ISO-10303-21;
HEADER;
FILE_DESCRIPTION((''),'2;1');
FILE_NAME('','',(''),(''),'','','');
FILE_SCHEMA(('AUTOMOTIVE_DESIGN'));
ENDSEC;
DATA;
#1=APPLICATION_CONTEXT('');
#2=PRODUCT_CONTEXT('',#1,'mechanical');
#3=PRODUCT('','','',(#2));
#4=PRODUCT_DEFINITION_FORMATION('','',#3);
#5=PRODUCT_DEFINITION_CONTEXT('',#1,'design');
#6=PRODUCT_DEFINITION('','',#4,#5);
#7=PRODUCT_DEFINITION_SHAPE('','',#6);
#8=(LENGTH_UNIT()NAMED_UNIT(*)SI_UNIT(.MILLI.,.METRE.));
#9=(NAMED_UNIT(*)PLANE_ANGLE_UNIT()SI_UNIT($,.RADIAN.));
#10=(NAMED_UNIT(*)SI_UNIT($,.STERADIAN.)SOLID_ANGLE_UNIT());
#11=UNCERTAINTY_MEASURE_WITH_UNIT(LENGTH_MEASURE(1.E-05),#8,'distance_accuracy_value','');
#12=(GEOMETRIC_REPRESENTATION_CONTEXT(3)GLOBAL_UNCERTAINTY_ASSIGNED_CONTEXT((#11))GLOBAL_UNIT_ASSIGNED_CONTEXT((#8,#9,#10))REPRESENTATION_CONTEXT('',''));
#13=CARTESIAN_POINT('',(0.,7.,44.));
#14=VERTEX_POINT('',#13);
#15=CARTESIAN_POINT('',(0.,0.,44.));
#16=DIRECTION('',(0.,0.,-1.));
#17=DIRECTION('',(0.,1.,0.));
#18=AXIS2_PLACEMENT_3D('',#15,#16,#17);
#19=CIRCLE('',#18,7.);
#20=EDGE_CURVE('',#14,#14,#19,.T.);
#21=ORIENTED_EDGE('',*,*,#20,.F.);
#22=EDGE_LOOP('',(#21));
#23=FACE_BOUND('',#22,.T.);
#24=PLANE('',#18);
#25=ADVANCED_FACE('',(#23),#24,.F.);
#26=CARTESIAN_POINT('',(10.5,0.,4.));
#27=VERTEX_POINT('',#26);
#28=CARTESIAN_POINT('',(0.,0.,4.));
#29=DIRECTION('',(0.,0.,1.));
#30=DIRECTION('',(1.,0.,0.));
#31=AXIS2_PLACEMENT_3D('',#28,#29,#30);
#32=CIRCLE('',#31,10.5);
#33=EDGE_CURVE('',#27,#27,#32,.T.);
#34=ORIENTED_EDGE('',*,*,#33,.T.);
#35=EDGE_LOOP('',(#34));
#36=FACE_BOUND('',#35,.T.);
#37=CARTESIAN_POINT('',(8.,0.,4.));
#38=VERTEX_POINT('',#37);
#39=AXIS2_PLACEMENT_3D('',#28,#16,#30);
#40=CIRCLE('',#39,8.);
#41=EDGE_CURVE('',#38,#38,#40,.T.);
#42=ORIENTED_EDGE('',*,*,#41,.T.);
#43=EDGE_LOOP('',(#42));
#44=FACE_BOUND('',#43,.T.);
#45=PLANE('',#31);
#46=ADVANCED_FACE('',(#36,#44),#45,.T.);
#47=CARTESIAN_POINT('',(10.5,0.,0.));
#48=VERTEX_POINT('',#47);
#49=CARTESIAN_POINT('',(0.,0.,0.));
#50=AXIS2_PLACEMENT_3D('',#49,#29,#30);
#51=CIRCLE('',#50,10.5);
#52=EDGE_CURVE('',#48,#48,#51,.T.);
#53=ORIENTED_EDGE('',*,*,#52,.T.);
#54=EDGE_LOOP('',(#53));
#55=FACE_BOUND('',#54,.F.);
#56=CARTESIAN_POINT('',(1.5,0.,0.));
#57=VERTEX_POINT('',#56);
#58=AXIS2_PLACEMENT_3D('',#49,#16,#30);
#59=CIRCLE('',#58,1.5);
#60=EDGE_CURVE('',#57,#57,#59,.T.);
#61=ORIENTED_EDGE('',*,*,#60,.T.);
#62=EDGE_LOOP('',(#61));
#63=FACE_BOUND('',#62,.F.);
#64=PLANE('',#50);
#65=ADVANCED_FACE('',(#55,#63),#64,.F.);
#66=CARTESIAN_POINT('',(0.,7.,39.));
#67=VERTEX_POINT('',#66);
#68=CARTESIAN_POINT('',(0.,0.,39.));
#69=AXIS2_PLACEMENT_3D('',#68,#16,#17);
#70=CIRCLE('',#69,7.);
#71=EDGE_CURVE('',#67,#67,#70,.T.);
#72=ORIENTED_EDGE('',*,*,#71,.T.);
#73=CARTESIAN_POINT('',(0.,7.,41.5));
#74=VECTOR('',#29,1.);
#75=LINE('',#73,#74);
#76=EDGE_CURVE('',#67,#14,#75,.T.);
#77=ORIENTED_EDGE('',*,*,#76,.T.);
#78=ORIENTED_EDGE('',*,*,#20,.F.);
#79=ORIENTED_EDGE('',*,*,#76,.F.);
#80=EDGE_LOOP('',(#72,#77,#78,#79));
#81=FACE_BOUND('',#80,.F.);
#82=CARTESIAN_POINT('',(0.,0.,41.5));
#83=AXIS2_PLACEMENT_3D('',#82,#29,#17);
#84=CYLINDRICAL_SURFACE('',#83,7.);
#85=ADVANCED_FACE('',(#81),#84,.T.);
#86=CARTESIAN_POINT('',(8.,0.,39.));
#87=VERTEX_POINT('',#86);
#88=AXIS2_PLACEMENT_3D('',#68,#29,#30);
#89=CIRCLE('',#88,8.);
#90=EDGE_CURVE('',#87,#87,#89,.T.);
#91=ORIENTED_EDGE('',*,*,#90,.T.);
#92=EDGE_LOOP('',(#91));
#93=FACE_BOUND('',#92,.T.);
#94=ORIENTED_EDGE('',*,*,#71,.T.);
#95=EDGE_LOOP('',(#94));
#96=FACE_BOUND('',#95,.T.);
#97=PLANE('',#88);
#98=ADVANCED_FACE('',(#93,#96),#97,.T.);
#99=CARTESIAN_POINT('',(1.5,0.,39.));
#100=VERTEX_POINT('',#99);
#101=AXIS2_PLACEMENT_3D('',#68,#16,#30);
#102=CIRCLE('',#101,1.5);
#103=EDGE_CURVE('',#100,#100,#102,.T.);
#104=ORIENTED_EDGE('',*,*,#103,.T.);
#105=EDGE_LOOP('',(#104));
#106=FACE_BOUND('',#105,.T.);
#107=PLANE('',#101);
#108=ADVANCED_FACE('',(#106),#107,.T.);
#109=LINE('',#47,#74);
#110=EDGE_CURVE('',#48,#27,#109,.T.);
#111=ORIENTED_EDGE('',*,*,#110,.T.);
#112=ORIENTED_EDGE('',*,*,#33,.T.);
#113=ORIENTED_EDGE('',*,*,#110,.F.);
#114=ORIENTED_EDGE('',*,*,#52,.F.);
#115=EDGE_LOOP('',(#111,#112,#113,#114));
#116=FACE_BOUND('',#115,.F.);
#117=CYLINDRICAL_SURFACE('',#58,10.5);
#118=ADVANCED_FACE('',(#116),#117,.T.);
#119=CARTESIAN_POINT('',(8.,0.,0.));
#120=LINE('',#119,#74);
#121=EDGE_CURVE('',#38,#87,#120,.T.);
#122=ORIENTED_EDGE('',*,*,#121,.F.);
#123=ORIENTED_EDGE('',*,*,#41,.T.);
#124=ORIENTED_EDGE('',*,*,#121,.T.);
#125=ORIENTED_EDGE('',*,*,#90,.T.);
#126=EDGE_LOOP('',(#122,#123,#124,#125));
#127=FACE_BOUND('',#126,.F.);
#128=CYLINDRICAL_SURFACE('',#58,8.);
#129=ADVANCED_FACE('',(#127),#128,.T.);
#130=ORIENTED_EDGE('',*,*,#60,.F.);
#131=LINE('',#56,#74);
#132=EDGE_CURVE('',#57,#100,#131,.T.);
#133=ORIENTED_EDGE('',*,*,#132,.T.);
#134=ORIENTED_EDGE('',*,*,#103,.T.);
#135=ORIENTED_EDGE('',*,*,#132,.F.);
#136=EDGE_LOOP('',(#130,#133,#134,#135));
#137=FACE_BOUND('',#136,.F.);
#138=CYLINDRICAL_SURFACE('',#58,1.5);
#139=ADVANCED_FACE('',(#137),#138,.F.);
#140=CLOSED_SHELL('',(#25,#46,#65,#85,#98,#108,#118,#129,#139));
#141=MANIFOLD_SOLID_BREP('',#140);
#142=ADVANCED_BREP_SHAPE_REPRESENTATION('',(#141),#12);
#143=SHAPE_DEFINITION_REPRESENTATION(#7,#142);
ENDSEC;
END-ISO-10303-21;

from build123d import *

# Parameters (mm, degrees)
F0_R     = 10.5
F1_DEPTH = 4
F2_R     = 8
F3_DEPTH = 39
F4_W     = 7
F4_H     = 5
F6_R     = 1.5
F7_DEPTH = 39


with BuildPart() as f1:
    # F0 (on Top) → F1 (new body)
    with BuildSketch(Plane.XY):
        Circle(F0_R)
    extrude(amount=F1_DEPTH)

    # F2 (on Top) → F3 (join)
    with BuildSketch(Plane.XY):
        Circle(F2_R)
    extrude(amount=F3_DEPTH)

    # F4 (on Right) → F5 (revolve)
    with BuildSketch(Plane.YZ):
        with Locations((3.5, 41.5)):
            Rectangle(F4_W, F4_H)
    revolve(axis=Axis((0, 0, 41.5), (0, 0, -1)))

    # F6 (on face) → F7 (cut)
    with BuildSketch(Plane(origin=(0, 0, 0), x_dir=(1, 0, 0), z_dir=(0, 0, -1))):
        Circle(F6_R)
    extrude(amount=-F7_DEPTH, mode=Mode.SUBTRACT)


solid = f1.part
